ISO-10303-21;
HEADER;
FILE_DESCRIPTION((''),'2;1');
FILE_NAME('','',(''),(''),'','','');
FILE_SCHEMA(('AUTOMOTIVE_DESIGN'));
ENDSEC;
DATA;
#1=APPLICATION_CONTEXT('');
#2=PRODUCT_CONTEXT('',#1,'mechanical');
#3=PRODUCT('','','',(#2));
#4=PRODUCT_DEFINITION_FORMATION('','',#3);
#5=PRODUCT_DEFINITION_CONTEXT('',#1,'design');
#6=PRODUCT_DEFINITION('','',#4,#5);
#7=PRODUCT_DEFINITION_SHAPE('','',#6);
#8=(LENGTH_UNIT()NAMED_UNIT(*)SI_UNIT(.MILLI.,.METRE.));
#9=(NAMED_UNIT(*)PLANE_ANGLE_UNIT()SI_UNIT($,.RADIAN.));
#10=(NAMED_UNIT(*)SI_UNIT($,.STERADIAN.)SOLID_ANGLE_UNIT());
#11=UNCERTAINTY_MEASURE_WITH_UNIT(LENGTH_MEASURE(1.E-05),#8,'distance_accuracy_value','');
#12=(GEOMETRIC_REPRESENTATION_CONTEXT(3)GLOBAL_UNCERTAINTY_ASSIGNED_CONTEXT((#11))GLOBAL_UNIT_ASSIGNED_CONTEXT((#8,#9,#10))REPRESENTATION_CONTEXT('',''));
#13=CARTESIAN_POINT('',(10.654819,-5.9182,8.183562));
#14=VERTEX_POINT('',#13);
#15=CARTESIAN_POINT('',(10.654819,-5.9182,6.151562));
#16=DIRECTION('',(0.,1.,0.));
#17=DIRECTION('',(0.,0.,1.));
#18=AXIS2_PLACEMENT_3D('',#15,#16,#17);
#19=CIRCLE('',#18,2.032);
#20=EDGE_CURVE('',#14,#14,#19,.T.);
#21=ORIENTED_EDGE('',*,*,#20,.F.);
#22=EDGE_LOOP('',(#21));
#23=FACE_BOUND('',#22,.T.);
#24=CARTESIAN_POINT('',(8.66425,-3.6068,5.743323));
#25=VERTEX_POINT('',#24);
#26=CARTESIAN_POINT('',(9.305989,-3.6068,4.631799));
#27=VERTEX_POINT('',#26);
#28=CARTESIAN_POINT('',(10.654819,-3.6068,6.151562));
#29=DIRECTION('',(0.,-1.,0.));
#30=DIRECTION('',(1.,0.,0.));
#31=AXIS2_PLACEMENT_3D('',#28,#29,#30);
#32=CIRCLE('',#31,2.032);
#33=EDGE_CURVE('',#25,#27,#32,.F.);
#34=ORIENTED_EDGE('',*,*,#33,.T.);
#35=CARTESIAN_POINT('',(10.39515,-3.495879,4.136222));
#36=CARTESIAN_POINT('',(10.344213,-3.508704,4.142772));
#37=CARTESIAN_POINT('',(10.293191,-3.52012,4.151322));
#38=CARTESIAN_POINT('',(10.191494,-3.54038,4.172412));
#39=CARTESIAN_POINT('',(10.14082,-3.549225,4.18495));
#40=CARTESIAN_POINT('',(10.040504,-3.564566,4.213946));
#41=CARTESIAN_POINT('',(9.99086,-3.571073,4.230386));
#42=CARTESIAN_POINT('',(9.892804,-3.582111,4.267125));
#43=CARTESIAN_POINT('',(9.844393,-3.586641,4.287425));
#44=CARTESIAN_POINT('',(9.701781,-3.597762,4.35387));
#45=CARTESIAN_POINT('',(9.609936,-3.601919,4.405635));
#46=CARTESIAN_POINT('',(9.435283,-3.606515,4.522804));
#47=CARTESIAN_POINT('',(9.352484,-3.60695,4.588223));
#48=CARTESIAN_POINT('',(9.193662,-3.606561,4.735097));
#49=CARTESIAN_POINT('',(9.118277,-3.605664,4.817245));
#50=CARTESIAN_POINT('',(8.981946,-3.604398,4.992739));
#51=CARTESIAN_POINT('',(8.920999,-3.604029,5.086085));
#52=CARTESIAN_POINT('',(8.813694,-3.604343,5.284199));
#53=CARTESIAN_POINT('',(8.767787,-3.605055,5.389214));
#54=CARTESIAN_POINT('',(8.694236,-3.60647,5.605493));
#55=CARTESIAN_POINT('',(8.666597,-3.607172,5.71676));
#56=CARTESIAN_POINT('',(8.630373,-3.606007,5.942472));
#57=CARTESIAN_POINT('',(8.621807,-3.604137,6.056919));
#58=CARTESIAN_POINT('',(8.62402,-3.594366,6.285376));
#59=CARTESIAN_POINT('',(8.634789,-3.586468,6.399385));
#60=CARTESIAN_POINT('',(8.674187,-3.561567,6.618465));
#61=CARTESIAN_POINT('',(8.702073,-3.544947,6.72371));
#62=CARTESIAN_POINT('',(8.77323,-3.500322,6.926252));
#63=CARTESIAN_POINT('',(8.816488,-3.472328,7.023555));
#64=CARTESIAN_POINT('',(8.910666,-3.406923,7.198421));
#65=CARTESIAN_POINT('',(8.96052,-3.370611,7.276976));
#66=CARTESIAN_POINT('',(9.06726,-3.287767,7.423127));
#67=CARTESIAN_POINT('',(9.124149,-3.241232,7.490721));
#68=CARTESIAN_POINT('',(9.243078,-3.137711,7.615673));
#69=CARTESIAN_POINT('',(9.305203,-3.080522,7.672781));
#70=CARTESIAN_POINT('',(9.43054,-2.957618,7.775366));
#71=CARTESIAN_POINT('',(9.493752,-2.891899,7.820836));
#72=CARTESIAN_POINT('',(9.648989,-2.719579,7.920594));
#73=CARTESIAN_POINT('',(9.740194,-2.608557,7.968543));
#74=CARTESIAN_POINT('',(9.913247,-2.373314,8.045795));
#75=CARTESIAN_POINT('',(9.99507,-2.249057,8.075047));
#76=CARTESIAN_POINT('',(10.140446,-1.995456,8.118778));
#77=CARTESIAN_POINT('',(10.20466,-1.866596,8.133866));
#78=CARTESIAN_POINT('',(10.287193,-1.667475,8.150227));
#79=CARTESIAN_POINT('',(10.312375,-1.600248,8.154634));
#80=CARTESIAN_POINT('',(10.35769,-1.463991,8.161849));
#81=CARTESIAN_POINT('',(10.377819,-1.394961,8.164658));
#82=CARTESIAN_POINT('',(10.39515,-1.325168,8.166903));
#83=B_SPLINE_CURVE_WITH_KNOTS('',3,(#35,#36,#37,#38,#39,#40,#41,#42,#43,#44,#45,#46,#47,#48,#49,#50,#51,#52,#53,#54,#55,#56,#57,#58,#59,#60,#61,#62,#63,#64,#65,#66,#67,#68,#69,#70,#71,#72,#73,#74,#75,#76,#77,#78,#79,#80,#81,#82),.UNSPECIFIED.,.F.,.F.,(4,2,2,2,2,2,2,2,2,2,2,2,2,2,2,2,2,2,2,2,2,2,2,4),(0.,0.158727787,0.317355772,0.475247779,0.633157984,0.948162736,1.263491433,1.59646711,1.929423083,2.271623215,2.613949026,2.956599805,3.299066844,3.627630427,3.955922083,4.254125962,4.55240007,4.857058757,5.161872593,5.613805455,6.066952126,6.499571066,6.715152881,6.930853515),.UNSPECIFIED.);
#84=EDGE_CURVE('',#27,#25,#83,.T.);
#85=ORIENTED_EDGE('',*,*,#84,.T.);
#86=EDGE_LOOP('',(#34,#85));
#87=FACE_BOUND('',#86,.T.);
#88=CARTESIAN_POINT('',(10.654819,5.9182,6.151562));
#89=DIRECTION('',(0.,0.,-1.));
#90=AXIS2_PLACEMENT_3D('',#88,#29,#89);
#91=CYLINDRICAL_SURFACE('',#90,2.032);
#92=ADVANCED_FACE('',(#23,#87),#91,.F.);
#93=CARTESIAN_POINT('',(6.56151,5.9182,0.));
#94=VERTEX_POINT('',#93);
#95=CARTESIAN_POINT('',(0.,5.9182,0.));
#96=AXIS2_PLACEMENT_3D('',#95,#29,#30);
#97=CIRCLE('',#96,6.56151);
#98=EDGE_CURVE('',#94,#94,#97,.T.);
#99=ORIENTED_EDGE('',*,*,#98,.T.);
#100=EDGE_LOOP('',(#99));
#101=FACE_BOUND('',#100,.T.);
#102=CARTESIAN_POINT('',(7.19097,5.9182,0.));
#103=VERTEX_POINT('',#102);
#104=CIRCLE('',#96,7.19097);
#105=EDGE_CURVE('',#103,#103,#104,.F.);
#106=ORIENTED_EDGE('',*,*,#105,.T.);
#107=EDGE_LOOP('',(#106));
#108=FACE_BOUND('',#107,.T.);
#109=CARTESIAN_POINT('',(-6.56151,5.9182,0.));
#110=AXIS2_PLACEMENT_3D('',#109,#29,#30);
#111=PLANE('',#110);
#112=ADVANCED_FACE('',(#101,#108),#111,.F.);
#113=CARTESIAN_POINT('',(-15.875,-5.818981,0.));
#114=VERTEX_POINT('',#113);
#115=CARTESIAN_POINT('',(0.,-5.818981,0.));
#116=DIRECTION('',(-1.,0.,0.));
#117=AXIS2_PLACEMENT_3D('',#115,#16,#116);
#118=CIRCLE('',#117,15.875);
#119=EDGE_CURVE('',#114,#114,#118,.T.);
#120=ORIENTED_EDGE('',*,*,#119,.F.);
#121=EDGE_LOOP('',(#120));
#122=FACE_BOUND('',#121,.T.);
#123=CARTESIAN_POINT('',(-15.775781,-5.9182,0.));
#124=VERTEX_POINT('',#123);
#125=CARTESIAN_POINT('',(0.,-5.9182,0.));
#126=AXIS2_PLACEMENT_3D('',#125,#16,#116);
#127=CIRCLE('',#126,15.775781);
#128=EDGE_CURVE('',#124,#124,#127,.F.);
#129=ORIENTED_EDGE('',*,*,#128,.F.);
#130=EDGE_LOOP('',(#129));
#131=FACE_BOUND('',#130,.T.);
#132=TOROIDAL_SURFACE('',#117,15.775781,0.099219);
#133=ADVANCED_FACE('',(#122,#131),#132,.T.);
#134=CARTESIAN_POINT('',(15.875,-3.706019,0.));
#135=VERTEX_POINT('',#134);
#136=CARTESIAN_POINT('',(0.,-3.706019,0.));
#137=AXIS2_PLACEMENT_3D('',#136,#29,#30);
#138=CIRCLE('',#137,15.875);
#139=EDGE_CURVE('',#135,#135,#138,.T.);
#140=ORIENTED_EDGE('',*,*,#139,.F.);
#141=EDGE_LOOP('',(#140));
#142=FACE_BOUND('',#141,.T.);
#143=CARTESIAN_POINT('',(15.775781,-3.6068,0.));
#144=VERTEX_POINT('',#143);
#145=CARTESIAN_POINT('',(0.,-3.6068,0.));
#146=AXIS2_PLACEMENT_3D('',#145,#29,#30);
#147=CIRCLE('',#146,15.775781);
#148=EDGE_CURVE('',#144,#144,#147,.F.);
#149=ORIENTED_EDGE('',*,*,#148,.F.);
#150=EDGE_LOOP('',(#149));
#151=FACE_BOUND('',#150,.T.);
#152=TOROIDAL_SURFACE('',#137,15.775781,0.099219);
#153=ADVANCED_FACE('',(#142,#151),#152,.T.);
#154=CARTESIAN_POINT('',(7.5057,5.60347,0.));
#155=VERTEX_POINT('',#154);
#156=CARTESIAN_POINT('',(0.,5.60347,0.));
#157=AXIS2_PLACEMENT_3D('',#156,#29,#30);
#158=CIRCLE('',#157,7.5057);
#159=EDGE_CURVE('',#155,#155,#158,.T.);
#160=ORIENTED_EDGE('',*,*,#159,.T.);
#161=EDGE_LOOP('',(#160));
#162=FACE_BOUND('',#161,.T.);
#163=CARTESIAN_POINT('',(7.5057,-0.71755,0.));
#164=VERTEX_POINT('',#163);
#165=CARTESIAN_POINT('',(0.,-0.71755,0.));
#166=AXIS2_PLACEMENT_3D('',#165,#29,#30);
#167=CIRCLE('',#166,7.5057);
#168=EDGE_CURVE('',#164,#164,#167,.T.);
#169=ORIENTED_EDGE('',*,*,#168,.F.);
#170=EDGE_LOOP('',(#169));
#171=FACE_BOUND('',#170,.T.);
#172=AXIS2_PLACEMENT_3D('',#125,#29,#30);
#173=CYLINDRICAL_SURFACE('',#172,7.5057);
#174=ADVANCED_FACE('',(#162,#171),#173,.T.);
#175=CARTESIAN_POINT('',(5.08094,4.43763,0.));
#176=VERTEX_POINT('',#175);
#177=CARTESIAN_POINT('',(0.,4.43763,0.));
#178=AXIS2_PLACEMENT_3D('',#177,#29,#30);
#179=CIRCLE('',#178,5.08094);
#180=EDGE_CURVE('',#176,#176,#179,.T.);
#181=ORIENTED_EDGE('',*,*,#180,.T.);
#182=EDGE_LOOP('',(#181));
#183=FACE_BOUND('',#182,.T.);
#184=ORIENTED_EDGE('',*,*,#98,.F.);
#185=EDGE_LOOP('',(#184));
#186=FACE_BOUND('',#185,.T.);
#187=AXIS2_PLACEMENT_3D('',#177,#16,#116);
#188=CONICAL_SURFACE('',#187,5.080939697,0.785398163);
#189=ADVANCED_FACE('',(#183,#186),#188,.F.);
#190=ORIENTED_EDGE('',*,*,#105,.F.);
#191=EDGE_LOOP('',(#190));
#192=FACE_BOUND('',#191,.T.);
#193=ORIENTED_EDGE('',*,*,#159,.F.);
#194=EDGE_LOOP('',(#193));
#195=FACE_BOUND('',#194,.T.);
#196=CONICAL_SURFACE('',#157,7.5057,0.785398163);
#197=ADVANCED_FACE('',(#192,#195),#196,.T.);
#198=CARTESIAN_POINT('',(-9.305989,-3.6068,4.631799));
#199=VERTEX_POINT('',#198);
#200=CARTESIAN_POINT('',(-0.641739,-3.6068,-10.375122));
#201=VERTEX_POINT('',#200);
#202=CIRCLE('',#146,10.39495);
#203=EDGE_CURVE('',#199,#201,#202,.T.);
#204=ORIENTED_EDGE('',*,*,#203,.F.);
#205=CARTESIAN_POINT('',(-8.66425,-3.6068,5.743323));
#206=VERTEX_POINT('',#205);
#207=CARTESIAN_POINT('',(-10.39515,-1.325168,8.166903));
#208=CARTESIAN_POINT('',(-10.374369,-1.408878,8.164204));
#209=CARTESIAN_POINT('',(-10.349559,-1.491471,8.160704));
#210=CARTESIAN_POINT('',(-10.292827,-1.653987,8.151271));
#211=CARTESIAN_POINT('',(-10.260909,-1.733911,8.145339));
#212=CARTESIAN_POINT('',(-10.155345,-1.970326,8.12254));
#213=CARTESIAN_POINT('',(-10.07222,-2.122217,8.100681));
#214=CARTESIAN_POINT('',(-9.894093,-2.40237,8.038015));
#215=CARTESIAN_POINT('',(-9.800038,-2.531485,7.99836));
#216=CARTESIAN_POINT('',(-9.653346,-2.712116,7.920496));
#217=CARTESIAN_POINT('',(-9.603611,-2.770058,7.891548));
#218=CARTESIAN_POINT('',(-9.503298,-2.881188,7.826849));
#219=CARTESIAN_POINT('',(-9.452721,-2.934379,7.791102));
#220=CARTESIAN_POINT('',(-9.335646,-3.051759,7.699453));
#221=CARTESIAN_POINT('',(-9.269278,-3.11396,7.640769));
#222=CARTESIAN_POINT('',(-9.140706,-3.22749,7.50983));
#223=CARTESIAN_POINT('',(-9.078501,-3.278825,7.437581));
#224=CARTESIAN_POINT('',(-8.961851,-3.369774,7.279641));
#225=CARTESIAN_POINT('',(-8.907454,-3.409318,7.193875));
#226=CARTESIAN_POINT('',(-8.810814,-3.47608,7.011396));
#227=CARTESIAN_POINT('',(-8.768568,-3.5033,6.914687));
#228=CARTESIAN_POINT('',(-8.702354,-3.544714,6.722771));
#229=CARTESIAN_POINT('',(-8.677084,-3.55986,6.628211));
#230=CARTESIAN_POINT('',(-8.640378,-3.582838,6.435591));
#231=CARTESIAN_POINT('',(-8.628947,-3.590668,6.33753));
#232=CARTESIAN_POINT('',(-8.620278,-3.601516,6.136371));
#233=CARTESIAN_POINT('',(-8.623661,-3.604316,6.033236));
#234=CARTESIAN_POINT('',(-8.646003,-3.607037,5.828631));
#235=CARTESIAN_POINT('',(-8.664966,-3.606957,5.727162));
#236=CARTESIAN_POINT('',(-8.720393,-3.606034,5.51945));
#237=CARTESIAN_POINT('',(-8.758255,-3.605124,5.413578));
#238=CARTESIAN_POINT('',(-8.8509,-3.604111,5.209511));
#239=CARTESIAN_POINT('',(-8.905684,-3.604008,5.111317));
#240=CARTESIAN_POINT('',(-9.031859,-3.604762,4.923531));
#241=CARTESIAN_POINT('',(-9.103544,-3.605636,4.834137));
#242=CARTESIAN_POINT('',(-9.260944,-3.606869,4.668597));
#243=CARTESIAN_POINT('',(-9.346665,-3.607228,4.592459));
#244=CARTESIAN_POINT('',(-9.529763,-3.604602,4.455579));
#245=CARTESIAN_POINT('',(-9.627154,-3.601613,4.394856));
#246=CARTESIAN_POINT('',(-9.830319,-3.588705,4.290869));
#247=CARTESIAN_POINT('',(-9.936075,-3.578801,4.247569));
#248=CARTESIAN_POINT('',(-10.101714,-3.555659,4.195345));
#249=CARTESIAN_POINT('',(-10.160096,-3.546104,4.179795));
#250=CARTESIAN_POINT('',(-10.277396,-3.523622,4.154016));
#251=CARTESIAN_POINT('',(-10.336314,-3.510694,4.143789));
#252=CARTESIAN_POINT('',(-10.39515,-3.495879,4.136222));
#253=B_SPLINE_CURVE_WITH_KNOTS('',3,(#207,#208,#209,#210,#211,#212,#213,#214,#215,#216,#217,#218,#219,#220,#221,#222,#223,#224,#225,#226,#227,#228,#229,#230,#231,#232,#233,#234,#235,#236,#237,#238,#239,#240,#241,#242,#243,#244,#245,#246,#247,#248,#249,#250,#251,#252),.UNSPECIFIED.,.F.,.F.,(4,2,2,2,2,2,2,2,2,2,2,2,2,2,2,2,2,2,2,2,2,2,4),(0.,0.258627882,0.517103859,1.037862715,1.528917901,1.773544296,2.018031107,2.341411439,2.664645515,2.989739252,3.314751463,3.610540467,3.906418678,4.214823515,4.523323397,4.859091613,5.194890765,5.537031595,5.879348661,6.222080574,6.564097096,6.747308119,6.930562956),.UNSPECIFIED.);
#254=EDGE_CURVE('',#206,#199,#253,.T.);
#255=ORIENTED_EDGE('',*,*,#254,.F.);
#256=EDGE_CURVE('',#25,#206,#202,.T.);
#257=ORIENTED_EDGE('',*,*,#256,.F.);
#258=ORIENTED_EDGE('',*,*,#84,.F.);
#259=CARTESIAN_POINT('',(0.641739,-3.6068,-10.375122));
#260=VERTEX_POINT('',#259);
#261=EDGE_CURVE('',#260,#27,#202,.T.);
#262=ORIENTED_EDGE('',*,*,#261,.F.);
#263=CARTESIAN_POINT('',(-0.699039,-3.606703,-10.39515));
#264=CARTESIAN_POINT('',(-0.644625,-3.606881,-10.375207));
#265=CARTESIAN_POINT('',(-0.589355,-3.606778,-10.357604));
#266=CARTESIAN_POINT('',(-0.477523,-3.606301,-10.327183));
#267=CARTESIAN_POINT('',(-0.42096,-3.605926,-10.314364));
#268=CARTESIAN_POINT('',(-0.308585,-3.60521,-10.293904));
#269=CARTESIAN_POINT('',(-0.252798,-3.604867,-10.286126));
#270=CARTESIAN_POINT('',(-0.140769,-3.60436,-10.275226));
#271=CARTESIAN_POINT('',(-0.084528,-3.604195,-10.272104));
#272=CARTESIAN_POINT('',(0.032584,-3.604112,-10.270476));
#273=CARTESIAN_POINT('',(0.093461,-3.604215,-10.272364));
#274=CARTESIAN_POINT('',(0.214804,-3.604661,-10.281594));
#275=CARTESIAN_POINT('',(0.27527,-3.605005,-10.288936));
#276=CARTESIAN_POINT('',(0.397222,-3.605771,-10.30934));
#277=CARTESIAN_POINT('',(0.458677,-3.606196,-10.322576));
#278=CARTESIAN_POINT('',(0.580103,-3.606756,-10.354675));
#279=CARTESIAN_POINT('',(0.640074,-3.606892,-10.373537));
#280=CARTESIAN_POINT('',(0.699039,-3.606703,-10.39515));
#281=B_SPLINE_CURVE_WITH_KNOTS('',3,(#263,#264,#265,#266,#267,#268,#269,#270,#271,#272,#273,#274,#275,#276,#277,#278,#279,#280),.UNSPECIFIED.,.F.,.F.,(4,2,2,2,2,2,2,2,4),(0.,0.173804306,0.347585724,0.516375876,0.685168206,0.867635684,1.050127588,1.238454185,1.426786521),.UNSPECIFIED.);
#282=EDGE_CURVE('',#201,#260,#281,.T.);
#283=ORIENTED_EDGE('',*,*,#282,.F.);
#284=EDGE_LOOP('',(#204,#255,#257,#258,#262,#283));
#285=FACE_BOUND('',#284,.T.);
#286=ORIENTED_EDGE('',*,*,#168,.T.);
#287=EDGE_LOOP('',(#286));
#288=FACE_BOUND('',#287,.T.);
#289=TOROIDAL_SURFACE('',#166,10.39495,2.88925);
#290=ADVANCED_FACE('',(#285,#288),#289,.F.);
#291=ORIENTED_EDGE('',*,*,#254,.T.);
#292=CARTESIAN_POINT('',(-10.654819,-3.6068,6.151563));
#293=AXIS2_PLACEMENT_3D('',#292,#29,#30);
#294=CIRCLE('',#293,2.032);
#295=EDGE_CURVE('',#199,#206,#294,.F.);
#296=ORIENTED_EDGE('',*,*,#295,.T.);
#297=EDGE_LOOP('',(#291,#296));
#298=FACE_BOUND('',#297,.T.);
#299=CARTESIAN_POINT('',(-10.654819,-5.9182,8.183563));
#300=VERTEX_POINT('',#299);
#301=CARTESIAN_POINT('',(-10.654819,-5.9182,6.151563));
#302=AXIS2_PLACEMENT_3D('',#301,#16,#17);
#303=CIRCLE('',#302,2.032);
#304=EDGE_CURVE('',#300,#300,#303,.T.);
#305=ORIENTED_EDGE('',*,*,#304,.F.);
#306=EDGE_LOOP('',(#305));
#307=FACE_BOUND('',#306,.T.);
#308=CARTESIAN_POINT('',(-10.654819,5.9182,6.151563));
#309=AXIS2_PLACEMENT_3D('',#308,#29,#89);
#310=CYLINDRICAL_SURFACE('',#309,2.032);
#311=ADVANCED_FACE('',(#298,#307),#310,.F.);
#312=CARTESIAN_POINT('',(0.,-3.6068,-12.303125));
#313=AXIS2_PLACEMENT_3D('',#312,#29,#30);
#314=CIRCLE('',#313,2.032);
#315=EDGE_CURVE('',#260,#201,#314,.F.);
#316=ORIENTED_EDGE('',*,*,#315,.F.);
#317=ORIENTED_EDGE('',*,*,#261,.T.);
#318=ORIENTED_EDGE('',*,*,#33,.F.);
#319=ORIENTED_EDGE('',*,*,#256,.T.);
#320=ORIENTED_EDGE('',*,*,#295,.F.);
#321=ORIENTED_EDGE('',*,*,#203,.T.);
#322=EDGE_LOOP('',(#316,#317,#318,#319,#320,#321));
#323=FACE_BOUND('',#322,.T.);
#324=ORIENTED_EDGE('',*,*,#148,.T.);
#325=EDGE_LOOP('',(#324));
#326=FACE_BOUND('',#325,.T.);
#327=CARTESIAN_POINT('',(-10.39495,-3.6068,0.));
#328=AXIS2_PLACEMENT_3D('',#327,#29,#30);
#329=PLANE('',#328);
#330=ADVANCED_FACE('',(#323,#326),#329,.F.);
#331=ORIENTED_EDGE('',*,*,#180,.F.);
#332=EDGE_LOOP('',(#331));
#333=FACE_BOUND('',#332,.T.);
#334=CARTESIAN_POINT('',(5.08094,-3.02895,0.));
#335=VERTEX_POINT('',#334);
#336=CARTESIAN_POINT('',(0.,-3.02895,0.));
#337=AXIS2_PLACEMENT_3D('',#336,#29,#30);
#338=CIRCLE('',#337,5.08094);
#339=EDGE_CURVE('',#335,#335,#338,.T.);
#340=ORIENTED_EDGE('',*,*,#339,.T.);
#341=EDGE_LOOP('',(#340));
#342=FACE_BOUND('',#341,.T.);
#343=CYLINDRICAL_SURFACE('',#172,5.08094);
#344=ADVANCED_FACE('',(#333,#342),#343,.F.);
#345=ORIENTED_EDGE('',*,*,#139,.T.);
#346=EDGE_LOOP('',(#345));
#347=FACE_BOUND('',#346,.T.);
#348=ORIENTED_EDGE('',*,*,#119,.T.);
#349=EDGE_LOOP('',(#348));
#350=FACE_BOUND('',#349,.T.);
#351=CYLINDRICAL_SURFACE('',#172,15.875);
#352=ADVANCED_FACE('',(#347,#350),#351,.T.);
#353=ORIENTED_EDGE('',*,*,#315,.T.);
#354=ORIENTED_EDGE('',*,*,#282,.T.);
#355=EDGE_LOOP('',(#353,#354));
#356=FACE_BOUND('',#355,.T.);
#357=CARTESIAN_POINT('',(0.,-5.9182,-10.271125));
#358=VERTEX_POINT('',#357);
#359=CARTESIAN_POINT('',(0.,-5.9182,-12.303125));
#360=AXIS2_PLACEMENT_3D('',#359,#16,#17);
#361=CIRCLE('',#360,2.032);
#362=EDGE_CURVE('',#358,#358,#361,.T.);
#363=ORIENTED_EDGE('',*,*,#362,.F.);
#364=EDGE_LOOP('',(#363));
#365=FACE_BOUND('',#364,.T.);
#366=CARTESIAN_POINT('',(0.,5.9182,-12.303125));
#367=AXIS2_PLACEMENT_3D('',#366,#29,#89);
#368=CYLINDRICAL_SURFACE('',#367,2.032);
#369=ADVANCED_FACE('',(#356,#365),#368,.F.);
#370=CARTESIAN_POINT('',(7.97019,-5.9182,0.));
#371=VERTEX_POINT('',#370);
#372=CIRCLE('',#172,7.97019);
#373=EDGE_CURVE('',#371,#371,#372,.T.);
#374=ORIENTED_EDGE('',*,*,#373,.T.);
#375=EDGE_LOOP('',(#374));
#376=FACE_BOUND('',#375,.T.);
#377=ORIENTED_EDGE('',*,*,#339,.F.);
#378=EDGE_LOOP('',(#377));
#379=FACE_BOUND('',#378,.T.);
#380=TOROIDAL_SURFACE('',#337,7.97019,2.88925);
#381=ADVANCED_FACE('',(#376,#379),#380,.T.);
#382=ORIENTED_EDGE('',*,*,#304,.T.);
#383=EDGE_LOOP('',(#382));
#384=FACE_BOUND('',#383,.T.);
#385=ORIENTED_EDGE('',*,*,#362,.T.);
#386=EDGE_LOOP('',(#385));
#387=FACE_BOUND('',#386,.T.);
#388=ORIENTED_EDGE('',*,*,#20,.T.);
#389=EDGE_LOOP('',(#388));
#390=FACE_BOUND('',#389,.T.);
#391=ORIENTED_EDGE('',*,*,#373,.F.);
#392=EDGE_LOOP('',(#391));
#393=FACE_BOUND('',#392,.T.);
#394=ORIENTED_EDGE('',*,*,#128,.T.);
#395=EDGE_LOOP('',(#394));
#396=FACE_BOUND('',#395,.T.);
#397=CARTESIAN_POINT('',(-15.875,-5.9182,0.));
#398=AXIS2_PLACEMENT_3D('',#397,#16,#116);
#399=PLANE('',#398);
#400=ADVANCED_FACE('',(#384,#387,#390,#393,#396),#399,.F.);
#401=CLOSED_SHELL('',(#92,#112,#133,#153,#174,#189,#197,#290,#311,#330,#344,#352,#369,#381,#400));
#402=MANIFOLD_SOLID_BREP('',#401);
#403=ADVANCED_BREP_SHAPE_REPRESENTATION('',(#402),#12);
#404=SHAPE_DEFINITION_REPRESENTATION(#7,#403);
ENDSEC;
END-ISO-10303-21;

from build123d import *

# Parameters (mm, degrees)
CUT_EXTRUDE1_DEPTH      = 24.217586921
CUT_EXTRUDE1_DEPTH_BACK = 24.217586921
SKETCH4_R               = 2.032
FILLET1_R               = 0.09921875
CHAMFER1_SIZE           = 0.314729983


with BuildPart() as part:
    # Sketch3 → Revolve1 (revolve)
    with BuildSketch(Plane.XY):
        with BuildLine():
            Line((-5.080939697, -3.02895), (-5.080939697, 4.437629646))
            Line((-5.080939697, 4.437629646), (-6.561510051, 5.9182))
            Line((-6.561510051, 5.9182), (-7.5057, 5.9182))
            Line((-7.5057, 5.9182), (-7.5057, -0.71755))
            ThreePointArc((-7.5057, -0.71755), (-8.351941732, -2.760558268), (-10.39495, -3.6068))
            Line((-10.39495, -3.6068), (-15.875, -3.6068))
            Line((-15.875, -3.6068), (-15.875, -5.9182))
            Line((-15.875, -5.9182), (-7.970189697, -5.9182))
            ThreePointArc((-7.970189697, -5.9182), (-5.927181429, -5.071958268), (-5.080939697, -3.02895))
        make_face()
    revolve(axis=Axis((0, -5.9182, 0), (0, 1, 0)))

    # Sketch4 → Cut-Extrude1 (cut, two sides: drawn at the far end of the back side and taken through both)
    with BuildSketch(Plane(origin=(0, 0, 0), x_dir=(1, 0, 0), z_dir=(0, 1, 0)).offset(-CUT_EXTRUDE1_DEPTH_BACK)):
        with Locations((0, 12.303125)):
            Circle(SKETCH4_R)
        with Locations((10.654818796, -6.1515625)):
            Circle(SKETCH4_R)
        with Locations((-10.654818796, -6.1515625)):
            Circle(SKETCH4_R)
    extrude(amount=CUT_EXTRUDE1_DEPTH + CUT_EXTRUDE1_DEPTH_BACK, mode=Mode.SUBTRACT)

    # Fillet1
    fillet1_edges = [part.edges().sort_by_distance(p)[0] for p in [
        (15.875, -3.6068, 0),
        (15.875, -5.9182, 0),
    ]]
    fillet(fillet1_edges, radius=FILLET1_R)

    # Chamfer1
    chamfer1_edges = [part.edges().sort_by_distance(p)[0] for p in [
        (7.5057, 5.9182, 0),
    ]]
    chamfer(chamfer1_edges, length=CHAMFER1_SIZE)


solid = part.part
